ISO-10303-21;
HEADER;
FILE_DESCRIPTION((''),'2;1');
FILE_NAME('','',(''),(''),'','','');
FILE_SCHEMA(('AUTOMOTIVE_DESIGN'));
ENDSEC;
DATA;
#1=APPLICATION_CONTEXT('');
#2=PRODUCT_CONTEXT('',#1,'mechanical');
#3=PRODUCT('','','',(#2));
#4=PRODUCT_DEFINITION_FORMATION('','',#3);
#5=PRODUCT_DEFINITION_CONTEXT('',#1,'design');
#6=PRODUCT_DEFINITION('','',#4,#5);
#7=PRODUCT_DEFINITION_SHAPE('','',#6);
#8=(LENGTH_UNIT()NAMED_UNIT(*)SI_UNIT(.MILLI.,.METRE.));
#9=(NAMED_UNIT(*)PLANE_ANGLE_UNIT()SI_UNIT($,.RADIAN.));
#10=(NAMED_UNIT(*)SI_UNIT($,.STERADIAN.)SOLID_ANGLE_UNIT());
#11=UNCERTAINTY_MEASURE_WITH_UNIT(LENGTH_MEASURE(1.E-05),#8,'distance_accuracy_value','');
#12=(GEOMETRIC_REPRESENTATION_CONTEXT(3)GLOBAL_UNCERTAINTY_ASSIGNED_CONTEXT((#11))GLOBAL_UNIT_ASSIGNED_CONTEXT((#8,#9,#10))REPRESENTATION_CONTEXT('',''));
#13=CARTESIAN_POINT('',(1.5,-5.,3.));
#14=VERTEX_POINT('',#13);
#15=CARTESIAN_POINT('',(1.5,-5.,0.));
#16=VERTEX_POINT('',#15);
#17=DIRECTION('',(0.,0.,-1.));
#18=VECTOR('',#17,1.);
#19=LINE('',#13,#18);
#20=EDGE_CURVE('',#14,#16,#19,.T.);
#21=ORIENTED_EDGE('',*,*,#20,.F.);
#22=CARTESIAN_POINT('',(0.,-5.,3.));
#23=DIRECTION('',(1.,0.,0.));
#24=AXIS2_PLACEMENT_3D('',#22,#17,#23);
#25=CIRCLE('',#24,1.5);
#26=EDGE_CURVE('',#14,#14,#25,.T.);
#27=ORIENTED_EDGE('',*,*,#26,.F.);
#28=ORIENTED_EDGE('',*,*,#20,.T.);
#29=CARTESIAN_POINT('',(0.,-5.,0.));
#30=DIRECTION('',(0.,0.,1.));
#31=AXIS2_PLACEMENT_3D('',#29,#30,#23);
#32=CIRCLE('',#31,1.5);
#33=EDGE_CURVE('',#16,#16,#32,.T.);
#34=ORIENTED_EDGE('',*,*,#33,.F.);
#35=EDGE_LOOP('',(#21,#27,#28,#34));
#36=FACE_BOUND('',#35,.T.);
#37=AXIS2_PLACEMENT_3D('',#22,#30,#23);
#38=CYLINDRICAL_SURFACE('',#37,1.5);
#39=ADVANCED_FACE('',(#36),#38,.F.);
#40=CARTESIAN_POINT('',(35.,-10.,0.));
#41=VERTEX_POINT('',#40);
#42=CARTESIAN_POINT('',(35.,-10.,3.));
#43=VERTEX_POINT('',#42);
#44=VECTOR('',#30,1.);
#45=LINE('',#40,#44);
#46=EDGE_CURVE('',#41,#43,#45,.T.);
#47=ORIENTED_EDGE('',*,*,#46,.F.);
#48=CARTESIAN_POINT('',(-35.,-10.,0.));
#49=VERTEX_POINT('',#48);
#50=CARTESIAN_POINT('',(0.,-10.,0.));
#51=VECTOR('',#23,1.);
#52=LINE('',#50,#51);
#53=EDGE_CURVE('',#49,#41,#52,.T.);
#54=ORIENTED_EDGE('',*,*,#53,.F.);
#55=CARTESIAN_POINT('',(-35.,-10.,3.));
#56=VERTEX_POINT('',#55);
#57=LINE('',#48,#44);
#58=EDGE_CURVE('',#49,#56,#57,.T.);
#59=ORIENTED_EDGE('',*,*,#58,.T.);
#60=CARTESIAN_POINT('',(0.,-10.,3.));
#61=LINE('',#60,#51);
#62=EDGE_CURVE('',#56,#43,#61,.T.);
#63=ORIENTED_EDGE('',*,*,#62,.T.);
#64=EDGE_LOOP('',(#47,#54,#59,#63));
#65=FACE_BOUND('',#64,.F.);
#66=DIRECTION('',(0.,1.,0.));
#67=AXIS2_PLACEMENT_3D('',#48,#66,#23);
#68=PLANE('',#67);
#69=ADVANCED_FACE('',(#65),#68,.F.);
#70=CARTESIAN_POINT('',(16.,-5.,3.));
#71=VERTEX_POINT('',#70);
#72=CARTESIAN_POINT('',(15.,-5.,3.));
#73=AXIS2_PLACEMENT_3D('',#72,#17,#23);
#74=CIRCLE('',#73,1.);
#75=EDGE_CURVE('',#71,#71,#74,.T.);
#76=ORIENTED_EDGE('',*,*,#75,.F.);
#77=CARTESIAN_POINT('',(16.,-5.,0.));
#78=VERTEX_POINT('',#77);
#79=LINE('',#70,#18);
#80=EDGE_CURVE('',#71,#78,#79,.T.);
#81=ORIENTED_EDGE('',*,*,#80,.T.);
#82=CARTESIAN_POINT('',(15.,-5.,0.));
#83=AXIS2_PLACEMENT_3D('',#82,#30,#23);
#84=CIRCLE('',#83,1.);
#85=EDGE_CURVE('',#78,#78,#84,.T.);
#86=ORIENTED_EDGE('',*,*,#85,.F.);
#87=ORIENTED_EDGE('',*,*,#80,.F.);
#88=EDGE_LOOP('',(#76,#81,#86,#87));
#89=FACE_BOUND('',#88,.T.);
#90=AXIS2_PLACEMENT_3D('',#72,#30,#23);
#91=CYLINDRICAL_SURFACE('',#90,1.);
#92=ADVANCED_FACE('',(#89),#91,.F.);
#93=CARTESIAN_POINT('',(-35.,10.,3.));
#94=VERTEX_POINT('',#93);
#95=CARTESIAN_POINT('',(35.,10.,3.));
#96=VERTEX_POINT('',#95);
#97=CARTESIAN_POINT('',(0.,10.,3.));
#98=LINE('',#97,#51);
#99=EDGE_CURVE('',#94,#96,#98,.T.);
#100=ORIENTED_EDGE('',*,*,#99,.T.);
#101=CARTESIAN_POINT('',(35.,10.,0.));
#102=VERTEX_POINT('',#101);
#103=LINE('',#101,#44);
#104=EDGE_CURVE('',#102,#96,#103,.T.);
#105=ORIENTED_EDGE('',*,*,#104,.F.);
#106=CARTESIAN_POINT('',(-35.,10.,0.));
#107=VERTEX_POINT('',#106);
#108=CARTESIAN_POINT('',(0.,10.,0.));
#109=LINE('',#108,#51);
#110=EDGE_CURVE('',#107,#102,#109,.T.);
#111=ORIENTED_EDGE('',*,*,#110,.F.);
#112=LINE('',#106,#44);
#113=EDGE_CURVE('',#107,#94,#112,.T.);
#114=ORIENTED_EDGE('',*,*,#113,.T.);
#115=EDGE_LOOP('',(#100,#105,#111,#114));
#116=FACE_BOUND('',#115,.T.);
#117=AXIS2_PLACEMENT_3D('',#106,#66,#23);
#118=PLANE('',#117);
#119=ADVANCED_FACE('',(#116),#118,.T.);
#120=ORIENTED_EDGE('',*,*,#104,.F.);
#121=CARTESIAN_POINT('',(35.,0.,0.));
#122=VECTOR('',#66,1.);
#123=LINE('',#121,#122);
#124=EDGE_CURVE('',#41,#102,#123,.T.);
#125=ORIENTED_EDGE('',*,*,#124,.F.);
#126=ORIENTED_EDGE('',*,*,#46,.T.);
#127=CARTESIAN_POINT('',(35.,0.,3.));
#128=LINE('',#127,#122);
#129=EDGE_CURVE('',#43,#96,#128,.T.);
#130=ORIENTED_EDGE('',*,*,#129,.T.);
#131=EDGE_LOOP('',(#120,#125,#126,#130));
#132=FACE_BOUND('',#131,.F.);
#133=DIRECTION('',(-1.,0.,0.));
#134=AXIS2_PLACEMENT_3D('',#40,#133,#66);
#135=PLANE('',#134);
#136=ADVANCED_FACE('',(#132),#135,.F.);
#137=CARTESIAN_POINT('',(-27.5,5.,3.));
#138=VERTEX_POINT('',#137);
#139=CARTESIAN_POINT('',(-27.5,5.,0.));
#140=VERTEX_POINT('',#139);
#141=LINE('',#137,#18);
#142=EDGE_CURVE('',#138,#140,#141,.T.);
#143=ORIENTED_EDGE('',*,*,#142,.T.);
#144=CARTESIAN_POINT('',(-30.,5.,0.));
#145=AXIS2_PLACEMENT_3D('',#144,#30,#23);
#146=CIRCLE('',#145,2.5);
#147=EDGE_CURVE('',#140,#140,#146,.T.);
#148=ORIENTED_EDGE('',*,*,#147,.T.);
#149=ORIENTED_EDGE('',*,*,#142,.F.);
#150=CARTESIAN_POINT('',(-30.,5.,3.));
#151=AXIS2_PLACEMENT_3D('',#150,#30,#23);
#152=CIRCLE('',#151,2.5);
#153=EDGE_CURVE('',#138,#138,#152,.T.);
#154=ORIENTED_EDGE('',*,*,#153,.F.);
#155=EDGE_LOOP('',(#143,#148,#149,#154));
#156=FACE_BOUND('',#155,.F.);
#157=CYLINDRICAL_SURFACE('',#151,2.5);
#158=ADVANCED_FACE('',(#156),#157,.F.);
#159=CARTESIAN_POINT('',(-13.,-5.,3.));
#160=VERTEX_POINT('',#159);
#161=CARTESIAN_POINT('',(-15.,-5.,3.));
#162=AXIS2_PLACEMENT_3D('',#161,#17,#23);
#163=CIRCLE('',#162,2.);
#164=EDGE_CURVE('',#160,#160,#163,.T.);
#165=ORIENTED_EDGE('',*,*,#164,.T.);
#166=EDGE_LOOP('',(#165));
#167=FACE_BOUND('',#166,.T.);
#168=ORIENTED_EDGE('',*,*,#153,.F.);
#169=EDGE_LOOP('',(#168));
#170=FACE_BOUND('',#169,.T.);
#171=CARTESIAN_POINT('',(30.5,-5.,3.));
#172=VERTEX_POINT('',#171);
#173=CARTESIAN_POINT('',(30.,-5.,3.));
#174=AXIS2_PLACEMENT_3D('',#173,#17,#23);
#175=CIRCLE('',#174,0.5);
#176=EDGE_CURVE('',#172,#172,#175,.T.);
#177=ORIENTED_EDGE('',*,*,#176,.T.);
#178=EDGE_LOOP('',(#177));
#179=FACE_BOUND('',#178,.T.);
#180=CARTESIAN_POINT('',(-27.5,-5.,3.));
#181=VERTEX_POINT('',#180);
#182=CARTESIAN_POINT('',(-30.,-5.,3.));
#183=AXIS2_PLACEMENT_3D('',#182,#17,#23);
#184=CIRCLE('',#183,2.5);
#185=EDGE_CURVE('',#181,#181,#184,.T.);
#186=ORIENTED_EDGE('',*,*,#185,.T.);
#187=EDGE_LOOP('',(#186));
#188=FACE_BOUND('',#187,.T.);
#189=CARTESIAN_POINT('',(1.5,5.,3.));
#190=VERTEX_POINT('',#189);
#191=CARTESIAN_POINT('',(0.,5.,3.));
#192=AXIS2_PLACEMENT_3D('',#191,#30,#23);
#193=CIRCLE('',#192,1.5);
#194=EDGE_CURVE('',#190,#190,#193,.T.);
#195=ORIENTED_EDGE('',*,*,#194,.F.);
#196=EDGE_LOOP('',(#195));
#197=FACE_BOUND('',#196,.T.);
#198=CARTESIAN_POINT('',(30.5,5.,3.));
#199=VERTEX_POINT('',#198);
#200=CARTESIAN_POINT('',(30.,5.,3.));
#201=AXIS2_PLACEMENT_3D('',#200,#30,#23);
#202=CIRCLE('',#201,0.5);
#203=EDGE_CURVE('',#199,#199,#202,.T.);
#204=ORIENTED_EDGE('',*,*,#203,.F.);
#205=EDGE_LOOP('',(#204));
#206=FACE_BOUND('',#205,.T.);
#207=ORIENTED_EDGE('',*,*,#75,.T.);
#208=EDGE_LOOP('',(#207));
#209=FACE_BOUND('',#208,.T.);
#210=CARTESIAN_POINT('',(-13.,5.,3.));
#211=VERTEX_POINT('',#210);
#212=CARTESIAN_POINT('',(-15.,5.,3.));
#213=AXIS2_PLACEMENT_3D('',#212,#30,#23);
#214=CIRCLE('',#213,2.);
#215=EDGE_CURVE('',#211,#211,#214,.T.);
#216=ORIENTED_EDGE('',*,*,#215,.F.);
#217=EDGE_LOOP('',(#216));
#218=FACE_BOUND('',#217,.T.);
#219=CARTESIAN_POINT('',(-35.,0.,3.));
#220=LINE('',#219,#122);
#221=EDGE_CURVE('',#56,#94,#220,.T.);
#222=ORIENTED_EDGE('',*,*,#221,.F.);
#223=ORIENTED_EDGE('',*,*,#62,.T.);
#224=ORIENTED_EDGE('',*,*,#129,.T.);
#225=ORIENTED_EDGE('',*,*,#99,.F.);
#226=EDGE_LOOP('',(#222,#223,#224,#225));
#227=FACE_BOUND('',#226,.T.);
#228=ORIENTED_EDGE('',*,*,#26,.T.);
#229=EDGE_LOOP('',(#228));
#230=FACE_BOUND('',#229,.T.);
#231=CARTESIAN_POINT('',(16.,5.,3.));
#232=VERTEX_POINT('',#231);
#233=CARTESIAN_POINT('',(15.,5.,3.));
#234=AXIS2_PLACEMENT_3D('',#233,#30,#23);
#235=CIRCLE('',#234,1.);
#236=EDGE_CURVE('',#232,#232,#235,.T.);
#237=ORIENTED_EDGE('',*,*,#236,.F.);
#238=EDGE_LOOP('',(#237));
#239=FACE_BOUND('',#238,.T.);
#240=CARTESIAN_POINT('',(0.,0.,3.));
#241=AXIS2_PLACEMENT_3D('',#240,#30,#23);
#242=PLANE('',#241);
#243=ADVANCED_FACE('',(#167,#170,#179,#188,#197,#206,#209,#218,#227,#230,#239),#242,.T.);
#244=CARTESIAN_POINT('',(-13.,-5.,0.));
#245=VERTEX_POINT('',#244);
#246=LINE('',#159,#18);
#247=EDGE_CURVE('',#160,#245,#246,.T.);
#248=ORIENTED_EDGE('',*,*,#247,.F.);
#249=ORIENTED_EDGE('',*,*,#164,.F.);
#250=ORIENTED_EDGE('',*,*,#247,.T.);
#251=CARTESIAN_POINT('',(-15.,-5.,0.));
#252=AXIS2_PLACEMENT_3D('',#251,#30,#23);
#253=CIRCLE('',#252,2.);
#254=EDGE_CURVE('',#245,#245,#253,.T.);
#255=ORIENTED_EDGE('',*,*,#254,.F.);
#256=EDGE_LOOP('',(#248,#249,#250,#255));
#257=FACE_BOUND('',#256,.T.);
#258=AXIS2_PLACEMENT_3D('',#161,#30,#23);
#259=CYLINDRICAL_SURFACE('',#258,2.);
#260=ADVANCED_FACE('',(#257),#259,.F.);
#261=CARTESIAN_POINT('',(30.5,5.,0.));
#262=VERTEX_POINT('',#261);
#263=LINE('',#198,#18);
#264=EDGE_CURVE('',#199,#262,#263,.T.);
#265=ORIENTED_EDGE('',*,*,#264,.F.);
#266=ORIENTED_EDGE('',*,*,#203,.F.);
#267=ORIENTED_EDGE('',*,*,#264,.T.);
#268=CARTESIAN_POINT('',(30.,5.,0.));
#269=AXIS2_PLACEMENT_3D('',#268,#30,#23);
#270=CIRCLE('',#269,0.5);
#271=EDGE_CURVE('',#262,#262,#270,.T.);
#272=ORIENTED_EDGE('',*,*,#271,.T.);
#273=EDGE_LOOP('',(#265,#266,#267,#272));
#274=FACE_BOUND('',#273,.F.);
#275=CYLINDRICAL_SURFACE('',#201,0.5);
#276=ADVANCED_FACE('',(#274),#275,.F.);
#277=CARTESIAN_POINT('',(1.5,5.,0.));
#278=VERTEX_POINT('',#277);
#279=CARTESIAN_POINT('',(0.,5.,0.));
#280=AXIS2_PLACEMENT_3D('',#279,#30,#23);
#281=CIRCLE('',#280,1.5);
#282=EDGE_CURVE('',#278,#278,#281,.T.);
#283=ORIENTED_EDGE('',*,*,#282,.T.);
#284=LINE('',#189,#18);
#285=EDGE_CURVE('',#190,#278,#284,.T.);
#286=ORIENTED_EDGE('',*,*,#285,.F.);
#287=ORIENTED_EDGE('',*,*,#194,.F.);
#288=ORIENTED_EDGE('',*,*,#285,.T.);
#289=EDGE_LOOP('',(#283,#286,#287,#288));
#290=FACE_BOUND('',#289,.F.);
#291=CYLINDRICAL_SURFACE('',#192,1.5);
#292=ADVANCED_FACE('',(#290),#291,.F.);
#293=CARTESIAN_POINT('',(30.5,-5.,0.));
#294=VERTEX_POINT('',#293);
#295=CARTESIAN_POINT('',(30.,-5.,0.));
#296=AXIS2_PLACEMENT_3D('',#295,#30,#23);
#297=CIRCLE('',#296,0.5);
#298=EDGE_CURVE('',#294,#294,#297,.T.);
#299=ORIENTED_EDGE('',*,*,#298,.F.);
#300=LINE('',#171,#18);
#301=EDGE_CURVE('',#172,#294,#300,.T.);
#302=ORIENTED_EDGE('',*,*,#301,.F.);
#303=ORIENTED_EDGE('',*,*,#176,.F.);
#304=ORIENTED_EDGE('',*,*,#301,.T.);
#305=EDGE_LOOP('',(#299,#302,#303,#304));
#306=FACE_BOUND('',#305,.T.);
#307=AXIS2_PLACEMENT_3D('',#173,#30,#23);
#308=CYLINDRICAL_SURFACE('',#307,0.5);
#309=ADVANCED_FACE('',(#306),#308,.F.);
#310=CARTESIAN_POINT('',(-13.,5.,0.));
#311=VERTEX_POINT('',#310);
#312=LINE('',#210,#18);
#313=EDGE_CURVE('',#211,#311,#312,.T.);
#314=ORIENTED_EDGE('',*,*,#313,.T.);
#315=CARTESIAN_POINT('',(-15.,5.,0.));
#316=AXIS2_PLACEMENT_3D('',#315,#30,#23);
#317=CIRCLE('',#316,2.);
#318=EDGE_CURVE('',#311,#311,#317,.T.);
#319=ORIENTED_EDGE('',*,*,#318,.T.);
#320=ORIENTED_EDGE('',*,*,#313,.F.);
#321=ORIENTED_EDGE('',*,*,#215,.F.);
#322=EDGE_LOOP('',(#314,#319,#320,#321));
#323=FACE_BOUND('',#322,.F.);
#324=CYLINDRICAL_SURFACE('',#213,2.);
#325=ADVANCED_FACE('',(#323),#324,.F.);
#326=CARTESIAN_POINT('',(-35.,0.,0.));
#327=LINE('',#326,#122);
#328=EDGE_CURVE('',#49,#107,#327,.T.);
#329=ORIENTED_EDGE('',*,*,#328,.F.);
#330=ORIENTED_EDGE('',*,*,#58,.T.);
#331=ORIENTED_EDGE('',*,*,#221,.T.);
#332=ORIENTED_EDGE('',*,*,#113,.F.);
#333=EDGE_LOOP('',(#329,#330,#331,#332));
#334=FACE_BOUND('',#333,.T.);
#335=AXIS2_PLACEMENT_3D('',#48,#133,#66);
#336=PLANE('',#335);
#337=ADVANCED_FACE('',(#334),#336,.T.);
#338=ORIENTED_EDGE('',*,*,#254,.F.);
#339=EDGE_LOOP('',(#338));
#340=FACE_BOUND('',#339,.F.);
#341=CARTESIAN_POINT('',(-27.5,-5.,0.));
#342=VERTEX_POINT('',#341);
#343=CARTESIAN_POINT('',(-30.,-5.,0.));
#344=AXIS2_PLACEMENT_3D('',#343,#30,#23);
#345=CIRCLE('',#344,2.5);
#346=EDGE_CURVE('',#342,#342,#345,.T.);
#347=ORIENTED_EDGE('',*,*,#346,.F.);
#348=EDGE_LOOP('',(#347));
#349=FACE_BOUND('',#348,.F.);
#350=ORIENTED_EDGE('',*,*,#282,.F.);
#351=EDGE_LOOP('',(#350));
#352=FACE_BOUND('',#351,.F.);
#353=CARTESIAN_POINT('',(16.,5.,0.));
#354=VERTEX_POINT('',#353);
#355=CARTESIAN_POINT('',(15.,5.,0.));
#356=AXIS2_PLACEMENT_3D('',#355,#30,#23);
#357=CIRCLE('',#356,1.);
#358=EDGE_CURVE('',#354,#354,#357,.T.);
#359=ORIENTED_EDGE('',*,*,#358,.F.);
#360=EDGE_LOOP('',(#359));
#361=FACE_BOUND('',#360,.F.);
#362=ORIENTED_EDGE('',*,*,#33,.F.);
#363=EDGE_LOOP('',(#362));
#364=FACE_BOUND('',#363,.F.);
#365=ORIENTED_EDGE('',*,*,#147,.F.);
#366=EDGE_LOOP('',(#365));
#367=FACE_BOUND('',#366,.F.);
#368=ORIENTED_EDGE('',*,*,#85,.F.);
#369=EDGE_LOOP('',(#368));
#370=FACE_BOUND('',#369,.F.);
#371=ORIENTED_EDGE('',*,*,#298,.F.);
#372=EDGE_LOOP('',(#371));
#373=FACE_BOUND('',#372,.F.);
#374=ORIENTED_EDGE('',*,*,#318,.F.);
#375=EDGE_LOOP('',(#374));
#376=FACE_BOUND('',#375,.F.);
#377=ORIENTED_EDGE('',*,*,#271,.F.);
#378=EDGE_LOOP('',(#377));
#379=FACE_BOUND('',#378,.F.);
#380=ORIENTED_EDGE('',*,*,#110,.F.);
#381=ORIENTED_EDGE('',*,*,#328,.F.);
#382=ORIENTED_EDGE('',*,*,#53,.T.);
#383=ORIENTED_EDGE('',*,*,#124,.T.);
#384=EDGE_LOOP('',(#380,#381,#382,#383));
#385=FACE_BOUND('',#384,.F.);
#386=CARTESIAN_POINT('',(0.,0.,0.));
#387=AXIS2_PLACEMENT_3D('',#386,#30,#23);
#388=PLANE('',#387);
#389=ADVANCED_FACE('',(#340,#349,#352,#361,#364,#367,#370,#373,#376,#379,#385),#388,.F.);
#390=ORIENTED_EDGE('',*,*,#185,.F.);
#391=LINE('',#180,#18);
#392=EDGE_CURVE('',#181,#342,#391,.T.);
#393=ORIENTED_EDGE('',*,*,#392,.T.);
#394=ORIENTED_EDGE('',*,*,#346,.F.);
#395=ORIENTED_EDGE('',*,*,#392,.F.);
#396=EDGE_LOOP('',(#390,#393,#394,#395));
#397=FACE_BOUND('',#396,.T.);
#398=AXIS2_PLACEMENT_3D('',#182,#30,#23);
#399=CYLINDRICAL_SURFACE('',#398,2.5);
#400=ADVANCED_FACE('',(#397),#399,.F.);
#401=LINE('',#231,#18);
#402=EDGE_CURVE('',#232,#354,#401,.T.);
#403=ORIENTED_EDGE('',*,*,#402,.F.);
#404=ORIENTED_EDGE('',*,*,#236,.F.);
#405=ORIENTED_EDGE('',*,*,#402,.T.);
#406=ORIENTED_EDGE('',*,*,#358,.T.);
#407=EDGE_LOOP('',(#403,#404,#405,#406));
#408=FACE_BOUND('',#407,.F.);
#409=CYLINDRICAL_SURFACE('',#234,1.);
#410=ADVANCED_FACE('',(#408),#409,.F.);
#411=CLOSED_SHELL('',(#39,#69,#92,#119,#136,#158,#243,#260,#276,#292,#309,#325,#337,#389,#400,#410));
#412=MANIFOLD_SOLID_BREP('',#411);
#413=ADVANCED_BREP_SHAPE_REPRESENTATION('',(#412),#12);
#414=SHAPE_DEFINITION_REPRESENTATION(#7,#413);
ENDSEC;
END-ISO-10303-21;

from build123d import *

# Parameters (mm, degrees)
SKETCH_W      = 70
SKETCH_H      = 20
PAD_DEPTH     = 3
SKETCH001_R   = 2.5
SKETCH001_R_2 = 2
SKETCH001_R_3 = 1.5
SKETCH001_R_4 = 1
SKETCH001_R_5 = 0.5
POCKET_DEPTH  = 148.72677


with BuildPart() as part:
    # Sketch → Pad (new body)
    with BuildSketch(Plane.XY):
        Rectangle(SKETCH_W, SKETCH_H)
    extrude(amount=PAD_DEPTH)

    # Sketch001 (on Face6 of Pad) → Pocket (cut, through all)
    with BuildSketch(Plane.XY.offset(3)):
        with Locations((-30, 5)):
            Circle(SKETCH001_R)
        with Locations((-15, 5)):
            Circle(SKETCH001_R_2)
        with Locations((0, 5)):
            Circle(SKETCH001_R_3)
        with Locations((15, 5)):
            Circle(SKETCH001_R_4)
        with Locations((30, 5)):
            Circle(SKETCH001_R_5)
    pocket = extrude(amount=-POCKET_DEPTH, mode=Mode.SUBTRACT)

    # Mirrored: Pocket across XZ
    add(pocket.mirror(Plane.XZ), mode=Mode.SUBTRACT)


solid = part.part
